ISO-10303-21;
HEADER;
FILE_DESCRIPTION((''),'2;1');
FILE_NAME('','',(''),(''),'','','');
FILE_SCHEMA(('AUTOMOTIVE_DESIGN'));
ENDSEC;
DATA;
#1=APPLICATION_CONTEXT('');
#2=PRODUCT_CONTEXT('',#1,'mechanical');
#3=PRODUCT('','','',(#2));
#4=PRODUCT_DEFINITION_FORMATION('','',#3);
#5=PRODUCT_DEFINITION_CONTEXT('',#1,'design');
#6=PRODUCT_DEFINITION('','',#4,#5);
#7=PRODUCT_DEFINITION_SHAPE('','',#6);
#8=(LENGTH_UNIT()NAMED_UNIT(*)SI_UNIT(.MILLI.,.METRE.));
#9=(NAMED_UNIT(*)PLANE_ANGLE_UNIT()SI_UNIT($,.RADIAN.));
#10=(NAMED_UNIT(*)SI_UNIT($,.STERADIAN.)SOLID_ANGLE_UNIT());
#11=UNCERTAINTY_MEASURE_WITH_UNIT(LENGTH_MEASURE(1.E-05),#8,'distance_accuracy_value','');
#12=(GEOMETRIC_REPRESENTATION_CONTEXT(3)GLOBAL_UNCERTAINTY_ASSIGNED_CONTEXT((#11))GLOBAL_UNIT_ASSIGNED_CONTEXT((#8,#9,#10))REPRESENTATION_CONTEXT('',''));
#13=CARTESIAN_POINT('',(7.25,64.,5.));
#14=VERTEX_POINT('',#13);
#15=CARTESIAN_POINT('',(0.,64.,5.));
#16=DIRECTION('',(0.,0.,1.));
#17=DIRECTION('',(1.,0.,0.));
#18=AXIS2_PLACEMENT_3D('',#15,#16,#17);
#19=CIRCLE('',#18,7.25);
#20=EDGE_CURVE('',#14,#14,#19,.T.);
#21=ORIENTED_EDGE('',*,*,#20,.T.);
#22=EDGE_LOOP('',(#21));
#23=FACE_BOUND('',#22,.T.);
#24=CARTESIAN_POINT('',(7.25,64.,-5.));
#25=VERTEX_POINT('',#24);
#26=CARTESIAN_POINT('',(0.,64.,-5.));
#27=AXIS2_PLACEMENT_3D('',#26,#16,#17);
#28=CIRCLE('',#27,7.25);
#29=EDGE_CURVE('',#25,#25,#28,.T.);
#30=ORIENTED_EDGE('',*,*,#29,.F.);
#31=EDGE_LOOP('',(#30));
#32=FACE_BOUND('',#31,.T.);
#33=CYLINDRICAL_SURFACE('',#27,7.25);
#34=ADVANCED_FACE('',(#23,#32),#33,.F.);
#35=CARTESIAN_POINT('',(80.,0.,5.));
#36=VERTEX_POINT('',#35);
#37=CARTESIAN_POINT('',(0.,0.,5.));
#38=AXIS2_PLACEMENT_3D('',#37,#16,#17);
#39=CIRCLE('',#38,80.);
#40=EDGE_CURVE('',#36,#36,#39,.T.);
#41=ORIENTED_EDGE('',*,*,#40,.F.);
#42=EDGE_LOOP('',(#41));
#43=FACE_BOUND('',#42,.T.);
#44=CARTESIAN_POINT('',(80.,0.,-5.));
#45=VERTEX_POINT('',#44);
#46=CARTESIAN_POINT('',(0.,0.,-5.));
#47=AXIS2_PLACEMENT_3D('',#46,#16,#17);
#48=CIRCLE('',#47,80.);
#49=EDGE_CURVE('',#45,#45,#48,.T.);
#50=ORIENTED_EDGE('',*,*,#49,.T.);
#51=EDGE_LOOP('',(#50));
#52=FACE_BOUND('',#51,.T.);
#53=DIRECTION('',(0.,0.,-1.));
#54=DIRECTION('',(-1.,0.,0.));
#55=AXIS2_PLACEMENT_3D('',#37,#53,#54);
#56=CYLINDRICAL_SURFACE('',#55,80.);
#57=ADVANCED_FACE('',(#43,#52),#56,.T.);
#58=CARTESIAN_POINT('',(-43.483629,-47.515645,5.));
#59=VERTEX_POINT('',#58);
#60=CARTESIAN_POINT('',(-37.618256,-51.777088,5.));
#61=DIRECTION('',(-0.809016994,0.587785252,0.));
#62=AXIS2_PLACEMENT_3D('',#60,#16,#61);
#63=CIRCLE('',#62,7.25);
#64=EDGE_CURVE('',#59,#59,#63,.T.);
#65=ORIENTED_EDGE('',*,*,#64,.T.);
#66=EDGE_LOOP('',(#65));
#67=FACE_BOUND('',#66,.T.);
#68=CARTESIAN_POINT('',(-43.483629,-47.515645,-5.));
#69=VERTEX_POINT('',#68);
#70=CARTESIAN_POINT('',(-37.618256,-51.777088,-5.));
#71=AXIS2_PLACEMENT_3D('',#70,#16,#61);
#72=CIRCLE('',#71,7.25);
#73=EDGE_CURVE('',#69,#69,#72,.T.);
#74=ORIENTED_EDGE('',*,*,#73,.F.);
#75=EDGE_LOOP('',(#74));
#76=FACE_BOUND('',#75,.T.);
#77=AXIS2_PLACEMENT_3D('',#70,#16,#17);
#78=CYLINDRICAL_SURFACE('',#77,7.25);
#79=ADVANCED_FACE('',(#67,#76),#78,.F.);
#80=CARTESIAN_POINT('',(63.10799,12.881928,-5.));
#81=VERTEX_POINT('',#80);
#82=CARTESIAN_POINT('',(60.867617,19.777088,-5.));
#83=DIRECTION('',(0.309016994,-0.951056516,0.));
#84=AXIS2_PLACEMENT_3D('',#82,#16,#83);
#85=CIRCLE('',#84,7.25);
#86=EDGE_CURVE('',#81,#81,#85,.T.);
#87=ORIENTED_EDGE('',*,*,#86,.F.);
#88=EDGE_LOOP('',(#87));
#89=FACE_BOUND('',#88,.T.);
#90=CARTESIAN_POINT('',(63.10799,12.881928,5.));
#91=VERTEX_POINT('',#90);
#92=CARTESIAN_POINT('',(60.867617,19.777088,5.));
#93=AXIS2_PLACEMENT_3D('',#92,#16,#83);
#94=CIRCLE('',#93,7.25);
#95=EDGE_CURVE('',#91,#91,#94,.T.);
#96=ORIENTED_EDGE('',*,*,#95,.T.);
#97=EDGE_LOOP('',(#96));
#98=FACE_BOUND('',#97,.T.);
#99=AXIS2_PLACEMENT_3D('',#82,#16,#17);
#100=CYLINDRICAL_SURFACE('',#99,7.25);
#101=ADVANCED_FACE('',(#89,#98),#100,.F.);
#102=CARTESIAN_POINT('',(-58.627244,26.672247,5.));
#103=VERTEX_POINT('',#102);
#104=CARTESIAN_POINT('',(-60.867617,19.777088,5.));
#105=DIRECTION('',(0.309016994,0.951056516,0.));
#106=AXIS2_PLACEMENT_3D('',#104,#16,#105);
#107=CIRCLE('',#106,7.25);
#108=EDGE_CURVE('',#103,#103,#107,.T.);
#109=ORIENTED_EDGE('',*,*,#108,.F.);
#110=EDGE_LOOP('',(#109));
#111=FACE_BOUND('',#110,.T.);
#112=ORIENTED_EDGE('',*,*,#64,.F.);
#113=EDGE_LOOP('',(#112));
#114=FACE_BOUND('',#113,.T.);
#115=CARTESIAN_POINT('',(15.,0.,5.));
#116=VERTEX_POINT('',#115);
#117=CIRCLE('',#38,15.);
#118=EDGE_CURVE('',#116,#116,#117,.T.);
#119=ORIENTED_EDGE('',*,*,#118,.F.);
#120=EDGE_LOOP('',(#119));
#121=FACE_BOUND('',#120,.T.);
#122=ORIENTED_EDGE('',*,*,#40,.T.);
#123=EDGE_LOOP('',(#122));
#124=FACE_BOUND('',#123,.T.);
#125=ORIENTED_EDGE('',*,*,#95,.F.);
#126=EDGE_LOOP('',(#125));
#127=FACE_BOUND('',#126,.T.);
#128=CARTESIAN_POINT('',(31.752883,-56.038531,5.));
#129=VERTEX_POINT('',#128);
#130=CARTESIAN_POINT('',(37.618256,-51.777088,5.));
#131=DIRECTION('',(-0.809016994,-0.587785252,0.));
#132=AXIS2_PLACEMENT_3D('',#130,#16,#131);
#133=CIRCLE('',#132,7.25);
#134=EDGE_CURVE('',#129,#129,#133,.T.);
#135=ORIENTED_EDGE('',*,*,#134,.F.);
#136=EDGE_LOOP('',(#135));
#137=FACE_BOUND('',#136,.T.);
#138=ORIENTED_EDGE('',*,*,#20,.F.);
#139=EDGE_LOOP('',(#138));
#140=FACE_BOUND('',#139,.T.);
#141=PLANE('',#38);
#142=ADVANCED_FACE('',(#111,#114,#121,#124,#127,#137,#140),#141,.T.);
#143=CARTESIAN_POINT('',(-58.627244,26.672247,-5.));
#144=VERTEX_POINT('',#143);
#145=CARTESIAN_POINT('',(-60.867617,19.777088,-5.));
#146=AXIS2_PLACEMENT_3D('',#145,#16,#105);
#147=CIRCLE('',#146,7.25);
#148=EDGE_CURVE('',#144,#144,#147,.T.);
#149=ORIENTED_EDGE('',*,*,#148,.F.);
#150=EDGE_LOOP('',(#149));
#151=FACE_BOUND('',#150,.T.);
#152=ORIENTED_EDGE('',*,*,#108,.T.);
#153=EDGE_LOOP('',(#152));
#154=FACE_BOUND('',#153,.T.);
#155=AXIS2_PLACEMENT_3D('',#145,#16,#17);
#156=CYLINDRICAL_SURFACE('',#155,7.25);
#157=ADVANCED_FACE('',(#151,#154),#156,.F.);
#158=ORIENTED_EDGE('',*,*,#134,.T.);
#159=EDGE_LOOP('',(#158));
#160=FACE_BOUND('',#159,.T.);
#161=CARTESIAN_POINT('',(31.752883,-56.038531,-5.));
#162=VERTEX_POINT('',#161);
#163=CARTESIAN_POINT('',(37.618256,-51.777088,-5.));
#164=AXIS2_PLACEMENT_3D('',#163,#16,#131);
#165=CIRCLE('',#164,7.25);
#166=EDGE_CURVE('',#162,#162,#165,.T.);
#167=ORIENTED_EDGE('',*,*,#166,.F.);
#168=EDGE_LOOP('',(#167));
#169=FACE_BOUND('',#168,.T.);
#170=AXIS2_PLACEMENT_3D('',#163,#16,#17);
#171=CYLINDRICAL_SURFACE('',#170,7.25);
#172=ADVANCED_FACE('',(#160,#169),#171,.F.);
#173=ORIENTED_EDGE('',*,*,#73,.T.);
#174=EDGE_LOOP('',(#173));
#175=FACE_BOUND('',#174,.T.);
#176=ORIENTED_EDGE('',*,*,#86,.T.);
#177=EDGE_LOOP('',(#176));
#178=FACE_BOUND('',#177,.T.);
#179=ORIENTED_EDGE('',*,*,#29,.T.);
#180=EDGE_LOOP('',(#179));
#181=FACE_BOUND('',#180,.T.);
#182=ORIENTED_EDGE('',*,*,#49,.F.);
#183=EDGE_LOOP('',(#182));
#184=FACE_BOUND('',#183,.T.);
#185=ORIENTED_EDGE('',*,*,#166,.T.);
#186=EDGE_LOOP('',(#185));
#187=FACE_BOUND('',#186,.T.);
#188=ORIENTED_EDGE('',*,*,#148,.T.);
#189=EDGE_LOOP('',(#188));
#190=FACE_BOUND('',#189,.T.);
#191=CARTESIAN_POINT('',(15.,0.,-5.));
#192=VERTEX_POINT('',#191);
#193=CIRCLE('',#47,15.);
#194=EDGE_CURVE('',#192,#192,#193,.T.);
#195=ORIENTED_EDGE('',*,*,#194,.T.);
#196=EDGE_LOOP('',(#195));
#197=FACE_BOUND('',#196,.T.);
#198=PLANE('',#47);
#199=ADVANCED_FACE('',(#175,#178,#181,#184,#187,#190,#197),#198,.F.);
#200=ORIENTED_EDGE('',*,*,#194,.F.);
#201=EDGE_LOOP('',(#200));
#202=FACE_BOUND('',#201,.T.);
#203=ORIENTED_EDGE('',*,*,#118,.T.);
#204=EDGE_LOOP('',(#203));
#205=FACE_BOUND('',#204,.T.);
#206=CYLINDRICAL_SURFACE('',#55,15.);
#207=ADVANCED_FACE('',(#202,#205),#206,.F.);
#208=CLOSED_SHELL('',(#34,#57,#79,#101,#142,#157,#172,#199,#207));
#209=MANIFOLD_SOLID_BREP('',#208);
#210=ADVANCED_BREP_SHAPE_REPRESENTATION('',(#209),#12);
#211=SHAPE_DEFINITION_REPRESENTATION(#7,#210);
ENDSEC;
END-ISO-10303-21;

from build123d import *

# Parameters (mm, degrees)
ESQUISSE1_R                  = 80
ESQUISSE1_R_2                = 15
BOSS_EXTRU_1_DEPTH           = 5
ESQUISSE3_R                  = 7.25
ENL_V_MAT_EXTRU_1_DEPTH      = 10
R_P_TITION_CIRCULAIRE4_COUNT = 5


with BuildPart() as part:
    # Esquisse1 → Boss.-Extru.1 (new body, symmetric)
    with BuildSketch(Plane.XY):
        Circle(ESQUISSE1_R)
        Circle(ESQUISSE1_R_2, mode=Mode.SUBTRACT)
    extrude(amount=BOSS_EXTRU_1_DEPTH, both=True)

    # Esquisse3 → Enlèv. mat.-Extru.1 (cut)
    with BuildSketch(Plane.XY.offset(5)):
        with Locations((0, 64)):
            Circle(ESQUISSE3_R)
    enl_v_mat_extru_1 = extrude(amount=-ENL_V_MAT_EXTRU_1_DEPTH, mode=Mode.SUBTRACT)

    # Répétition circulaire4: Enlèv. mat.-Extru.1 ×5 about axis
    r_p_tition_circulaire4_axis = Axis((0, 0, 0), (0, 0, 1))
    for i in range(1, R_P_TITION_CIRCULAIRE4_COUNT):
        add(enl_v_mat_extru_1.rotate(r_p_tition_circulaire4_axis, i * 360 / R_P_TITION_CIRCULAIRE4_COUNT), mode=Mode.SUBTRACT)


solid = part.part
